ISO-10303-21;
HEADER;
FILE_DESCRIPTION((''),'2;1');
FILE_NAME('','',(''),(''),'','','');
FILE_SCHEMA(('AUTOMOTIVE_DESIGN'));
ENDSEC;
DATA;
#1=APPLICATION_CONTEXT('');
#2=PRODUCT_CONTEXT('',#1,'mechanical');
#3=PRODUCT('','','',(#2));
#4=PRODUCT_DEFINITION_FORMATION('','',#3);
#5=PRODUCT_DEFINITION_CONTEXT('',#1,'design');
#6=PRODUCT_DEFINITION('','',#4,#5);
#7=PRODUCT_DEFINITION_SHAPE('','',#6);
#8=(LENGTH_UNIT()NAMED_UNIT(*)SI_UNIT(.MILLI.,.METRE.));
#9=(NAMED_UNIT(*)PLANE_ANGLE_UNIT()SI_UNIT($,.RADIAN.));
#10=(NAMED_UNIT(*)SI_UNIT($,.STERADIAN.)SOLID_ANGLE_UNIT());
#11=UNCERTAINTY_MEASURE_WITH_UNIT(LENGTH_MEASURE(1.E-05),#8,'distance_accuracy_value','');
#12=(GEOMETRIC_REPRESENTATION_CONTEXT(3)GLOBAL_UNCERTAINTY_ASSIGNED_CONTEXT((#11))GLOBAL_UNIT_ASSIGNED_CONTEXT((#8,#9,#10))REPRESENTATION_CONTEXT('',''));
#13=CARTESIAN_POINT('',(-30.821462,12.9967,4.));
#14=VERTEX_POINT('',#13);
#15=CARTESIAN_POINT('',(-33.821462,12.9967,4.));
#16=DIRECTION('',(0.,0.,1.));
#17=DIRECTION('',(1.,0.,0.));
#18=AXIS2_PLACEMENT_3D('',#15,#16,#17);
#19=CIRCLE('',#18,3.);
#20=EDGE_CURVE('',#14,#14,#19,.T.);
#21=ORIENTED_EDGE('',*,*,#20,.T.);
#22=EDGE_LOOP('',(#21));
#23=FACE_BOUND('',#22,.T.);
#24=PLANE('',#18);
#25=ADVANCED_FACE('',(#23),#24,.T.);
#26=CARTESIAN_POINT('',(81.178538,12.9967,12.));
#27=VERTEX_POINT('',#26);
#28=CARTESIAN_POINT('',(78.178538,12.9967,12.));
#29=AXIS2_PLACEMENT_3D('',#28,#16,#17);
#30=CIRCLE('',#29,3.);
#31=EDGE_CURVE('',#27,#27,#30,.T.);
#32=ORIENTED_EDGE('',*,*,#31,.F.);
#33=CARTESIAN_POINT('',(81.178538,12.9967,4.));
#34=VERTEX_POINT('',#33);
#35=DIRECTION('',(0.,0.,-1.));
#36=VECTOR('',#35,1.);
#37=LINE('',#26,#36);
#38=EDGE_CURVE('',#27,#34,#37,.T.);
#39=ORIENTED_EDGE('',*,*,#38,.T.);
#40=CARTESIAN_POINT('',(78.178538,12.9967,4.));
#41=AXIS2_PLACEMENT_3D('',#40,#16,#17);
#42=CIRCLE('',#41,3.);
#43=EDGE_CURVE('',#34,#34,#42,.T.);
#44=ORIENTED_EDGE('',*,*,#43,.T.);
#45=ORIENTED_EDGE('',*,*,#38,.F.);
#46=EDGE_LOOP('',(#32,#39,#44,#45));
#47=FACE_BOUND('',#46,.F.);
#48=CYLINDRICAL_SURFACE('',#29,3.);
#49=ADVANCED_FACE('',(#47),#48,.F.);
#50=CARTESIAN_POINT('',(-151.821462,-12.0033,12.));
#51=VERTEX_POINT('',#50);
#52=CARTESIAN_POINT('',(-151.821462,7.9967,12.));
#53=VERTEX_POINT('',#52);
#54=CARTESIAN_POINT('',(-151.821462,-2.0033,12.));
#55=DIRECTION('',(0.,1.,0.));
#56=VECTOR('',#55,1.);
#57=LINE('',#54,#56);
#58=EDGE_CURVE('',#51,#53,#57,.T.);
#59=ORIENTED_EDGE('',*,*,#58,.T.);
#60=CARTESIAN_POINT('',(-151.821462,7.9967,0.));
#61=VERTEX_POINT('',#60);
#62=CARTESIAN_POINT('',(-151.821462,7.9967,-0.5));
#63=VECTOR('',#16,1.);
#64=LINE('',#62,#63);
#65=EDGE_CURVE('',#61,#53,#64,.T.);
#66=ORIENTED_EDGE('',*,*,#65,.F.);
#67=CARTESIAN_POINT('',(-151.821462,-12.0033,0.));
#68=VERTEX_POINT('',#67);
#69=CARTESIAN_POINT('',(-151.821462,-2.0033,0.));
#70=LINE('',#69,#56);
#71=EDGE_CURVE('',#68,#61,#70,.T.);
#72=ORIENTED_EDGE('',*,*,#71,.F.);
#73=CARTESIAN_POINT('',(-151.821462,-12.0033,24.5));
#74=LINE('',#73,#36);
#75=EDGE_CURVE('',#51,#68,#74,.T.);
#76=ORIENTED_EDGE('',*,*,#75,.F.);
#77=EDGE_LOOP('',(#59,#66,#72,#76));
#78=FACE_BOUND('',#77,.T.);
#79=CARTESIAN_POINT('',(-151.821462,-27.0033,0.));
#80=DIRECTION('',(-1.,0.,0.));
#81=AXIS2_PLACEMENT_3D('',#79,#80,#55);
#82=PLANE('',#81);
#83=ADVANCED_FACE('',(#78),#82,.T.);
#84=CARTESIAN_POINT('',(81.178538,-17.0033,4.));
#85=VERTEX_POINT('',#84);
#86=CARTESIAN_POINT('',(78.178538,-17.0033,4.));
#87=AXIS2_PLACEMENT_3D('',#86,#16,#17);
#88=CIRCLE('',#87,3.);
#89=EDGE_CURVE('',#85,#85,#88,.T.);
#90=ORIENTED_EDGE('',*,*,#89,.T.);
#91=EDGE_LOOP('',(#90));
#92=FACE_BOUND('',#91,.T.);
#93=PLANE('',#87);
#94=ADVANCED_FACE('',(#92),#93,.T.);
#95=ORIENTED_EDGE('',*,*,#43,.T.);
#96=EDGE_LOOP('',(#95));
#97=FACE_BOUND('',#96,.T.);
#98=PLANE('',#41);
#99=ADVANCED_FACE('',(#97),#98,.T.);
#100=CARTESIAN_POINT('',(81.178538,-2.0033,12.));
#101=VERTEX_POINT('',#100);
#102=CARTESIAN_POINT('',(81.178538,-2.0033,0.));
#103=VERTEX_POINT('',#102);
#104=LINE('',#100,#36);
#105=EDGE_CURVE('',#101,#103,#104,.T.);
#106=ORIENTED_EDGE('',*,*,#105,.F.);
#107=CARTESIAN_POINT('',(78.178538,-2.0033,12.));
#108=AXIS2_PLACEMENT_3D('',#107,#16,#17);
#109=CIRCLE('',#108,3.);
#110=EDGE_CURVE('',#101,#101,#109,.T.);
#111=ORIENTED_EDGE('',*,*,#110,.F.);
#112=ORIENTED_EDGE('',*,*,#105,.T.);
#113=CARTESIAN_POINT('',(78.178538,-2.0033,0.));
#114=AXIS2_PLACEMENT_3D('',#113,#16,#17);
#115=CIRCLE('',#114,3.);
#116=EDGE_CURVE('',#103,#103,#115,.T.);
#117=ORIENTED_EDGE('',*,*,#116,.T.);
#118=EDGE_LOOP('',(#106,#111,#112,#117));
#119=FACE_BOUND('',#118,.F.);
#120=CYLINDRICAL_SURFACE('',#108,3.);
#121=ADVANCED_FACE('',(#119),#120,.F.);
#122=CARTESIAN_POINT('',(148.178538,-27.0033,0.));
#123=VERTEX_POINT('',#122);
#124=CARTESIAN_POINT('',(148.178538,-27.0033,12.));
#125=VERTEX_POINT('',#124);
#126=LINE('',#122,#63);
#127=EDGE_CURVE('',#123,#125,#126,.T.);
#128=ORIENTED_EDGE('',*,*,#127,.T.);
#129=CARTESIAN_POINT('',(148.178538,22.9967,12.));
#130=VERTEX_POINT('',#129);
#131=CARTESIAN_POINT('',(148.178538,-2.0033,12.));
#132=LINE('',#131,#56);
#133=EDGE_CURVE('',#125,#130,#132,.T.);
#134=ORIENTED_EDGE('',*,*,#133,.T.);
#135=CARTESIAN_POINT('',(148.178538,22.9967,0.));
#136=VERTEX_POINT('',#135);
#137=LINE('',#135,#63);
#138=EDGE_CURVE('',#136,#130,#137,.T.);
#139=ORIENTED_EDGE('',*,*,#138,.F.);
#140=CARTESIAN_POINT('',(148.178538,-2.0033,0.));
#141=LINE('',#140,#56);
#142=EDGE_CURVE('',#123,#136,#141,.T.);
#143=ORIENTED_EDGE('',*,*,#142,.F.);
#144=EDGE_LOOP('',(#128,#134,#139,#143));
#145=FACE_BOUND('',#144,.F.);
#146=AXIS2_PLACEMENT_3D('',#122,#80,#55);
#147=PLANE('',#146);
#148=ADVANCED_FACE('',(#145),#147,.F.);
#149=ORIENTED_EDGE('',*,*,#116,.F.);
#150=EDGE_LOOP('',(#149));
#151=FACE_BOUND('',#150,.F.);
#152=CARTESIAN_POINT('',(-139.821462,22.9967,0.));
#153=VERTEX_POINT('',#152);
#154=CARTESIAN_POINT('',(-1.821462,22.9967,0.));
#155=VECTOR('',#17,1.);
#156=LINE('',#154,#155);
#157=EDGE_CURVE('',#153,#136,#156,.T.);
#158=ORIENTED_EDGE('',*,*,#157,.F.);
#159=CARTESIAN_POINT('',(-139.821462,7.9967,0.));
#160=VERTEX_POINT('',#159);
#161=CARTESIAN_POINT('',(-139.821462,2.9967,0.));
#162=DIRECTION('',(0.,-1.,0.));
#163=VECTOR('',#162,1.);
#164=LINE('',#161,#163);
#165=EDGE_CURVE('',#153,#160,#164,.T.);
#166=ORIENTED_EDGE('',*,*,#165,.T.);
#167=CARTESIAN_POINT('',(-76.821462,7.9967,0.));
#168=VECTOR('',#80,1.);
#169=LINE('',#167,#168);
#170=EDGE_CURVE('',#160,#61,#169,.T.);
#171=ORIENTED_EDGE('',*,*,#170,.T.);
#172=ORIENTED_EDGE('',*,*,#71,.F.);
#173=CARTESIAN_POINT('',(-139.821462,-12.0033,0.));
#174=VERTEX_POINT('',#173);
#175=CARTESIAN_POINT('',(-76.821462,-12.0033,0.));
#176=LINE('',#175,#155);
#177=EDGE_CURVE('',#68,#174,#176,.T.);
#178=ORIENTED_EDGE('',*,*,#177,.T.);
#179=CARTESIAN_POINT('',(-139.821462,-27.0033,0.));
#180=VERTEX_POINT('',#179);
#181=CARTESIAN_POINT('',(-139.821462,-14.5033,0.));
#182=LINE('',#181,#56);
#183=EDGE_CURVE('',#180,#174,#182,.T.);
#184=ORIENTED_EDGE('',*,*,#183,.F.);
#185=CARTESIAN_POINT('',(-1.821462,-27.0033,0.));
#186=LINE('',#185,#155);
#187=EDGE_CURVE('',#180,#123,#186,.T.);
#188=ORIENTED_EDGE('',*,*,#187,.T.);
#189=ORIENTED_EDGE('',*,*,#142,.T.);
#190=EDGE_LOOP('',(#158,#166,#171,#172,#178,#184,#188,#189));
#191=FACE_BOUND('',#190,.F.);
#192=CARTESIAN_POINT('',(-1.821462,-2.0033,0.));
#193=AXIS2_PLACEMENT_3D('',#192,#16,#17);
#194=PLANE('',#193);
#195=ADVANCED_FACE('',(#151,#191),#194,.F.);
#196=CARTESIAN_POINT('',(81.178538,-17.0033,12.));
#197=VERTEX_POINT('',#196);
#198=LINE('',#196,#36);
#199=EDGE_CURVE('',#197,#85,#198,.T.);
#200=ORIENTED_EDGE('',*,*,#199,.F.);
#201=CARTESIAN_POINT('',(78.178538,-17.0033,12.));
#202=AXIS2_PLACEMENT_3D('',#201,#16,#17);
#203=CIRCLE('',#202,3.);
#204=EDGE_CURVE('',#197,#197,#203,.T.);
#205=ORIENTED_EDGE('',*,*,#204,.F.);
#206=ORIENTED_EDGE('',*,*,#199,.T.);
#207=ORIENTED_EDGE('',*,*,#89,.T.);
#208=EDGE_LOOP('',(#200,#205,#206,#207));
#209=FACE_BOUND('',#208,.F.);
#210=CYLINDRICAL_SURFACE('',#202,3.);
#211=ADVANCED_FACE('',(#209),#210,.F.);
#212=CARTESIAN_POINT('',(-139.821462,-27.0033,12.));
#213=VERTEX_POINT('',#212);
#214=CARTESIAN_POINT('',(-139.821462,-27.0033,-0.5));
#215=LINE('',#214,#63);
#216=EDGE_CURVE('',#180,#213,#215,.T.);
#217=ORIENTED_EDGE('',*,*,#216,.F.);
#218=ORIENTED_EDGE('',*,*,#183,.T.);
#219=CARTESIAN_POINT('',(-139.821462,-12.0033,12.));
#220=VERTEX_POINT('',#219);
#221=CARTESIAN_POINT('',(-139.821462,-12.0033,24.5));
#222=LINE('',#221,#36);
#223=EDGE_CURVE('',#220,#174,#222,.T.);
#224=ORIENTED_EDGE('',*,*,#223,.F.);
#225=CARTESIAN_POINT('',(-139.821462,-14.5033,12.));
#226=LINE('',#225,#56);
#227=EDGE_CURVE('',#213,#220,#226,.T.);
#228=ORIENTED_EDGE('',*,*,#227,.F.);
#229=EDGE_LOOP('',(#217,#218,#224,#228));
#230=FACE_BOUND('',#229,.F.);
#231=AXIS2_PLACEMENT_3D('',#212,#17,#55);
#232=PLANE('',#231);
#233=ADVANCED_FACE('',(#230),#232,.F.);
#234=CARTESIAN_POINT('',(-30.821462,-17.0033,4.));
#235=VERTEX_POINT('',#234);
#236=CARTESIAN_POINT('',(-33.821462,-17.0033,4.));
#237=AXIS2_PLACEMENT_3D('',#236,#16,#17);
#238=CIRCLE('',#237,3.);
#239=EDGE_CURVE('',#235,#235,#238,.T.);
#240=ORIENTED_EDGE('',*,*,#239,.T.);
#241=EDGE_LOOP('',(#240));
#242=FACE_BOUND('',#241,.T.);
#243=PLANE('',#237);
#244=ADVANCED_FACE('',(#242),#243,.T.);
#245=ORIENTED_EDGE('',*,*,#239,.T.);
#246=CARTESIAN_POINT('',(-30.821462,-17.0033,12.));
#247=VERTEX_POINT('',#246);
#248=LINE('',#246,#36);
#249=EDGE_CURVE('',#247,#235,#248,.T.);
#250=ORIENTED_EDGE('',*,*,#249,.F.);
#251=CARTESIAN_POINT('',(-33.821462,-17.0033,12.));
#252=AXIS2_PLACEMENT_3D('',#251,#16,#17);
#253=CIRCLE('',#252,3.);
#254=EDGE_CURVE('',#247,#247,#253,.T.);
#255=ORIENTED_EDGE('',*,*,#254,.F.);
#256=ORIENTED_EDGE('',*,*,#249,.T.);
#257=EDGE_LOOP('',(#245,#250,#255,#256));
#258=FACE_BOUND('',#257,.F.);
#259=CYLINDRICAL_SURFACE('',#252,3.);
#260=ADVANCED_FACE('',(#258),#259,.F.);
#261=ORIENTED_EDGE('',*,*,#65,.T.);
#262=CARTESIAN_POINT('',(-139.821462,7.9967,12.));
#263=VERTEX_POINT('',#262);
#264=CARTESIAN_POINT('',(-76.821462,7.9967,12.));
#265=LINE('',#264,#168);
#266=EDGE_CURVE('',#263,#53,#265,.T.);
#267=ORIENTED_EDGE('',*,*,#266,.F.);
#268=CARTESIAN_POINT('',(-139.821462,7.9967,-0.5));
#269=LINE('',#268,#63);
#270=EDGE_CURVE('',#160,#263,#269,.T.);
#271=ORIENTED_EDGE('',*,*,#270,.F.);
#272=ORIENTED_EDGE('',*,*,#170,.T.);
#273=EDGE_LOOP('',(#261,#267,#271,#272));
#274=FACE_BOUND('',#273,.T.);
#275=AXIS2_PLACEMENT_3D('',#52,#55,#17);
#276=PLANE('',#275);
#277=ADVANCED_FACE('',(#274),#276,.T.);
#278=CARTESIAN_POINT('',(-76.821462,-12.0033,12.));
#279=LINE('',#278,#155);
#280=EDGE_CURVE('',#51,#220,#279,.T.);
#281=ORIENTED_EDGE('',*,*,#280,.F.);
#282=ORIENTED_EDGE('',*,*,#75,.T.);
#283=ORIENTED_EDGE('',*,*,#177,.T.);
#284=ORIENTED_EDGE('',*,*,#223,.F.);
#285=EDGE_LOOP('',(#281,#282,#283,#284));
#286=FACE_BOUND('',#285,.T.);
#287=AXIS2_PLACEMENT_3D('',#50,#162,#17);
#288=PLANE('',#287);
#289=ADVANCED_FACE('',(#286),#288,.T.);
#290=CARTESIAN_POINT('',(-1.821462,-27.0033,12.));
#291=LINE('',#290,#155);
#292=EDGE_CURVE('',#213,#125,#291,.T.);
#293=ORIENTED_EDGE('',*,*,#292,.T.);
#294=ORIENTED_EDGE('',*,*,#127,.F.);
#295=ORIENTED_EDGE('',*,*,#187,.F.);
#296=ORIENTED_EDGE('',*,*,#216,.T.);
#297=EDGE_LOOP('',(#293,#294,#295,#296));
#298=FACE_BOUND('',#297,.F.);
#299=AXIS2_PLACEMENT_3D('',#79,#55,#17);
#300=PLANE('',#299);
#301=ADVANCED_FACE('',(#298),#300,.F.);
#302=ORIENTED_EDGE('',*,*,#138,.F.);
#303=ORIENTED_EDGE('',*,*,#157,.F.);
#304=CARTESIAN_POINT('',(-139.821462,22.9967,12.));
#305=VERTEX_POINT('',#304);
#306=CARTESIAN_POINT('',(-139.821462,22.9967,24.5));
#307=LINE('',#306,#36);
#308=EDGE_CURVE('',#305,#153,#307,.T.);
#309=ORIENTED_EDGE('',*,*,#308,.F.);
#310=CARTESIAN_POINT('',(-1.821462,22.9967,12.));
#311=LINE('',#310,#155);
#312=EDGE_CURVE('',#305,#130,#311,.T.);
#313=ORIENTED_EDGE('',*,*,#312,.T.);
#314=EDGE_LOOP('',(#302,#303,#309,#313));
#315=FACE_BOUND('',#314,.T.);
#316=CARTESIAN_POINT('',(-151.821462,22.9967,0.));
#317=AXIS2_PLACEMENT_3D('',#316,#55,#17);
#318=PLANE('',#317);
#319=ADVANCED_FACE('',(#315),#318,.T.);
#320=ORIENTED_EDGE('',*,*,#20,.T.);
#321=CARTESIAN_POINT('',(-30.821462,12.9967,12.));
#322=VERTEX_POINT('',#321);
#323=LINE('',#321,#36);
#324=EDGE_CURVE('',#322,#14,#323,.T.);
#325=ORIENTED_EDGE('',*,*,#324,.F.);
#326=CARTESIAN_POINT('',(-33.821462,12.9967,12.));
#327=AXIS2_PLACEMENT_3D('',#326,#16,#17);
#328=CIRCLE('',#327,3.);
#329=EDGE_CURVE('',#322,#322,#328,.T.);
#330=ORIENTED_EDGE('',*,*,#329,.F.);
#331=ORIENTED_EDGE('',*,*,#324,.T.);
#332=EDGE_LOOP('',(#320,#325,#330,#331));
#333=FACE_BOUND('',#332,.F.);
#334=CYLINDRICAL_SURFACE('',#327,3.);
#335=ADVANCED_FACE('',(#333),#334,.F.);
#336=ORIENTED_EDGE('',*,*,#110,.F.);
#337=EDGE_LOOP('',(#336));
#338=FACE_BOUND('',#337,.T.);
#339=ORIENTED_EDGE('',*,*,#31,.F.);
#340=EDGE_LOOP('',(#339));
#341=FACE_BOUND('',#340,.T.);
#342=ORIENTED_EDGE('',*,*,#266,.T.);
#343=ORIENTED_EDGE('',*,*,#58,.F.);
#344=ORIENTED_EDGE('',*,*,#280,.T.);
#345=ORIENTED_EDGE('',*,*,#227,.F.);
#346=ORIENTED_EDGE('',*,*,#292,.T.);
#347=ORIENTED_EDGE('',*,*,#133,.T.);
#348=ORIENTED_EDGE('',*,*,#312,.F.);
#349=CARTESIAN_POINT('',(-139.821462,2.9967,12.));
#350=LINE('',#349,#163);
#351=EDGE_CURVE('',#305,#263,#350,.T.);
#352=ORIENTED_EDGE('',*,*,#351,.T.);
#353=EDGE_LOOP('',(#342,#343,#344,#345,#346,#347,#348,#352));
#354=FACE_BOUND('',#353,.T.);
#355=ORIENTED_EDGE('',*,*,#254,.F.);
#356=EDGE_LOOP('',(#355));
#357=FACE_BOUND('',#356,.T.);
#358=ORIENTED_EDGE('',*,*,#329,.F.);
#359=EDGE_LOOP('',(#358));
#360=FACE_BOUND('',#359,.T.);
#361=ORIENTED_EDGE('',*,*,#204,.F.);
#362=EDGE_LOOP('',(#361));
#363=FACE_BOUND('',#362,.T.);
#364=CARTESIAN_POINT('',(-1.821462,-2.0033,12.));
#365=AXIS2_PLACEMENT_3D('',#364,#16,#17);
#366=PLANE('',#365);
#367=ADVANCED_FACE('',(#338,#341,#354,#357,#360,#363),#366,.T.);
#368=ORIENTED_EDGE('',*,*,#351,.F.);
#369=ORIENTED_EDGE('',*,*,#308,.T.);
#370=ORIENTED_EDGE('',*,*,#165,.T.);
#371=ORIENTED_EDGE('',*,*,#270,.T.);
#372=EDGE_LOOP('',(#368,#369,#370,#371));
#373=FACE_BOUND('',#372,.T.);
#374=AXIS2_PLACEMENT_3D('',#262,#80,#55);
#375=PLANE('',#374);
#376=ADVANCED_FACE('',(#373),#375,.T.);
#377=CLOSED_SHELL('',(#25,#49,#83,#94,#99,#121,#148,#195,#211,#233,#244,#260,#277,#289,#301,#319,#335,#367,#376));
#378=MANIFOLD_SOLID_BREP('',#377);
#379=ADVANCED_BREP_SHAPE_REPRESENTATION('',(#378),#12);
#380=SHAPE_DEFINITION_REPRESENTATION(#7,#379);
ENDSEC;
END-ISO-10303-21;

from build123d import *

# Parameters (mm, degrees)
F0_W     = 300
F0_H     = 50
F1_DEPTH = 12
F2_W     = 12
F2_H     = 15
F3_DEPTH = 12.5
F4_R     = 3
F5_DEPTH = 8
F6_R     = 3
F7_DEPTH = 12.001


with BuildPart() as f1:
    # F0 (on Top) → F1 (new body)
    with BuildSketch(Plane.XY):
        with Locations((-1.821462065, -2.0033000623)):
            Rectangle(F0_W, F0_H)
    extrude(amount=F1_DEPTH)

    # F2 (on face) → F3 (cut, symmetric)
    with BuildSketch(Plane.XY.offset(12)):
        with Locations((-145.821462065, 15.4966999377)):
            Rectangle(F2_W, F2_H)
        with Locations((-145.821462065, -19.5033000623)):
            Rectangle(F2_W, F2_H)
    extrude(amount=F3_DEPTH, both=True, mode=Mode.SUBTRACT)

    # F4 (on face) → F5 (cut)
    with BuildSketch(Plane.XY.offset(12)):
        with Locations((-33.821462065, -17.0033000623)):
            Circle(F4_R)
        with Locations((78.178537935, 12.9966999377)):
            Circle(F4_R)
        with Locations((78.178537935, -17.0033000623)):
            Circle(F4_R)
        with Locations((-33.821462065, 12.9966999377)):
            Circle(F4_R)
    extrude(amount=-F5_DEPTH, mode=Mode.SUBTRACT)

    # F6 (on face) → F7 (cut, through all)
    with BuildSketch(Plane.XY.offset(12)):
        with Locations((78.178537935, -2.0033000623)):
            Circle(F6_R)
    extrude(amount=-F7_DEPTH, mode=Mode.SUBTRACT)


solid = f1.part
